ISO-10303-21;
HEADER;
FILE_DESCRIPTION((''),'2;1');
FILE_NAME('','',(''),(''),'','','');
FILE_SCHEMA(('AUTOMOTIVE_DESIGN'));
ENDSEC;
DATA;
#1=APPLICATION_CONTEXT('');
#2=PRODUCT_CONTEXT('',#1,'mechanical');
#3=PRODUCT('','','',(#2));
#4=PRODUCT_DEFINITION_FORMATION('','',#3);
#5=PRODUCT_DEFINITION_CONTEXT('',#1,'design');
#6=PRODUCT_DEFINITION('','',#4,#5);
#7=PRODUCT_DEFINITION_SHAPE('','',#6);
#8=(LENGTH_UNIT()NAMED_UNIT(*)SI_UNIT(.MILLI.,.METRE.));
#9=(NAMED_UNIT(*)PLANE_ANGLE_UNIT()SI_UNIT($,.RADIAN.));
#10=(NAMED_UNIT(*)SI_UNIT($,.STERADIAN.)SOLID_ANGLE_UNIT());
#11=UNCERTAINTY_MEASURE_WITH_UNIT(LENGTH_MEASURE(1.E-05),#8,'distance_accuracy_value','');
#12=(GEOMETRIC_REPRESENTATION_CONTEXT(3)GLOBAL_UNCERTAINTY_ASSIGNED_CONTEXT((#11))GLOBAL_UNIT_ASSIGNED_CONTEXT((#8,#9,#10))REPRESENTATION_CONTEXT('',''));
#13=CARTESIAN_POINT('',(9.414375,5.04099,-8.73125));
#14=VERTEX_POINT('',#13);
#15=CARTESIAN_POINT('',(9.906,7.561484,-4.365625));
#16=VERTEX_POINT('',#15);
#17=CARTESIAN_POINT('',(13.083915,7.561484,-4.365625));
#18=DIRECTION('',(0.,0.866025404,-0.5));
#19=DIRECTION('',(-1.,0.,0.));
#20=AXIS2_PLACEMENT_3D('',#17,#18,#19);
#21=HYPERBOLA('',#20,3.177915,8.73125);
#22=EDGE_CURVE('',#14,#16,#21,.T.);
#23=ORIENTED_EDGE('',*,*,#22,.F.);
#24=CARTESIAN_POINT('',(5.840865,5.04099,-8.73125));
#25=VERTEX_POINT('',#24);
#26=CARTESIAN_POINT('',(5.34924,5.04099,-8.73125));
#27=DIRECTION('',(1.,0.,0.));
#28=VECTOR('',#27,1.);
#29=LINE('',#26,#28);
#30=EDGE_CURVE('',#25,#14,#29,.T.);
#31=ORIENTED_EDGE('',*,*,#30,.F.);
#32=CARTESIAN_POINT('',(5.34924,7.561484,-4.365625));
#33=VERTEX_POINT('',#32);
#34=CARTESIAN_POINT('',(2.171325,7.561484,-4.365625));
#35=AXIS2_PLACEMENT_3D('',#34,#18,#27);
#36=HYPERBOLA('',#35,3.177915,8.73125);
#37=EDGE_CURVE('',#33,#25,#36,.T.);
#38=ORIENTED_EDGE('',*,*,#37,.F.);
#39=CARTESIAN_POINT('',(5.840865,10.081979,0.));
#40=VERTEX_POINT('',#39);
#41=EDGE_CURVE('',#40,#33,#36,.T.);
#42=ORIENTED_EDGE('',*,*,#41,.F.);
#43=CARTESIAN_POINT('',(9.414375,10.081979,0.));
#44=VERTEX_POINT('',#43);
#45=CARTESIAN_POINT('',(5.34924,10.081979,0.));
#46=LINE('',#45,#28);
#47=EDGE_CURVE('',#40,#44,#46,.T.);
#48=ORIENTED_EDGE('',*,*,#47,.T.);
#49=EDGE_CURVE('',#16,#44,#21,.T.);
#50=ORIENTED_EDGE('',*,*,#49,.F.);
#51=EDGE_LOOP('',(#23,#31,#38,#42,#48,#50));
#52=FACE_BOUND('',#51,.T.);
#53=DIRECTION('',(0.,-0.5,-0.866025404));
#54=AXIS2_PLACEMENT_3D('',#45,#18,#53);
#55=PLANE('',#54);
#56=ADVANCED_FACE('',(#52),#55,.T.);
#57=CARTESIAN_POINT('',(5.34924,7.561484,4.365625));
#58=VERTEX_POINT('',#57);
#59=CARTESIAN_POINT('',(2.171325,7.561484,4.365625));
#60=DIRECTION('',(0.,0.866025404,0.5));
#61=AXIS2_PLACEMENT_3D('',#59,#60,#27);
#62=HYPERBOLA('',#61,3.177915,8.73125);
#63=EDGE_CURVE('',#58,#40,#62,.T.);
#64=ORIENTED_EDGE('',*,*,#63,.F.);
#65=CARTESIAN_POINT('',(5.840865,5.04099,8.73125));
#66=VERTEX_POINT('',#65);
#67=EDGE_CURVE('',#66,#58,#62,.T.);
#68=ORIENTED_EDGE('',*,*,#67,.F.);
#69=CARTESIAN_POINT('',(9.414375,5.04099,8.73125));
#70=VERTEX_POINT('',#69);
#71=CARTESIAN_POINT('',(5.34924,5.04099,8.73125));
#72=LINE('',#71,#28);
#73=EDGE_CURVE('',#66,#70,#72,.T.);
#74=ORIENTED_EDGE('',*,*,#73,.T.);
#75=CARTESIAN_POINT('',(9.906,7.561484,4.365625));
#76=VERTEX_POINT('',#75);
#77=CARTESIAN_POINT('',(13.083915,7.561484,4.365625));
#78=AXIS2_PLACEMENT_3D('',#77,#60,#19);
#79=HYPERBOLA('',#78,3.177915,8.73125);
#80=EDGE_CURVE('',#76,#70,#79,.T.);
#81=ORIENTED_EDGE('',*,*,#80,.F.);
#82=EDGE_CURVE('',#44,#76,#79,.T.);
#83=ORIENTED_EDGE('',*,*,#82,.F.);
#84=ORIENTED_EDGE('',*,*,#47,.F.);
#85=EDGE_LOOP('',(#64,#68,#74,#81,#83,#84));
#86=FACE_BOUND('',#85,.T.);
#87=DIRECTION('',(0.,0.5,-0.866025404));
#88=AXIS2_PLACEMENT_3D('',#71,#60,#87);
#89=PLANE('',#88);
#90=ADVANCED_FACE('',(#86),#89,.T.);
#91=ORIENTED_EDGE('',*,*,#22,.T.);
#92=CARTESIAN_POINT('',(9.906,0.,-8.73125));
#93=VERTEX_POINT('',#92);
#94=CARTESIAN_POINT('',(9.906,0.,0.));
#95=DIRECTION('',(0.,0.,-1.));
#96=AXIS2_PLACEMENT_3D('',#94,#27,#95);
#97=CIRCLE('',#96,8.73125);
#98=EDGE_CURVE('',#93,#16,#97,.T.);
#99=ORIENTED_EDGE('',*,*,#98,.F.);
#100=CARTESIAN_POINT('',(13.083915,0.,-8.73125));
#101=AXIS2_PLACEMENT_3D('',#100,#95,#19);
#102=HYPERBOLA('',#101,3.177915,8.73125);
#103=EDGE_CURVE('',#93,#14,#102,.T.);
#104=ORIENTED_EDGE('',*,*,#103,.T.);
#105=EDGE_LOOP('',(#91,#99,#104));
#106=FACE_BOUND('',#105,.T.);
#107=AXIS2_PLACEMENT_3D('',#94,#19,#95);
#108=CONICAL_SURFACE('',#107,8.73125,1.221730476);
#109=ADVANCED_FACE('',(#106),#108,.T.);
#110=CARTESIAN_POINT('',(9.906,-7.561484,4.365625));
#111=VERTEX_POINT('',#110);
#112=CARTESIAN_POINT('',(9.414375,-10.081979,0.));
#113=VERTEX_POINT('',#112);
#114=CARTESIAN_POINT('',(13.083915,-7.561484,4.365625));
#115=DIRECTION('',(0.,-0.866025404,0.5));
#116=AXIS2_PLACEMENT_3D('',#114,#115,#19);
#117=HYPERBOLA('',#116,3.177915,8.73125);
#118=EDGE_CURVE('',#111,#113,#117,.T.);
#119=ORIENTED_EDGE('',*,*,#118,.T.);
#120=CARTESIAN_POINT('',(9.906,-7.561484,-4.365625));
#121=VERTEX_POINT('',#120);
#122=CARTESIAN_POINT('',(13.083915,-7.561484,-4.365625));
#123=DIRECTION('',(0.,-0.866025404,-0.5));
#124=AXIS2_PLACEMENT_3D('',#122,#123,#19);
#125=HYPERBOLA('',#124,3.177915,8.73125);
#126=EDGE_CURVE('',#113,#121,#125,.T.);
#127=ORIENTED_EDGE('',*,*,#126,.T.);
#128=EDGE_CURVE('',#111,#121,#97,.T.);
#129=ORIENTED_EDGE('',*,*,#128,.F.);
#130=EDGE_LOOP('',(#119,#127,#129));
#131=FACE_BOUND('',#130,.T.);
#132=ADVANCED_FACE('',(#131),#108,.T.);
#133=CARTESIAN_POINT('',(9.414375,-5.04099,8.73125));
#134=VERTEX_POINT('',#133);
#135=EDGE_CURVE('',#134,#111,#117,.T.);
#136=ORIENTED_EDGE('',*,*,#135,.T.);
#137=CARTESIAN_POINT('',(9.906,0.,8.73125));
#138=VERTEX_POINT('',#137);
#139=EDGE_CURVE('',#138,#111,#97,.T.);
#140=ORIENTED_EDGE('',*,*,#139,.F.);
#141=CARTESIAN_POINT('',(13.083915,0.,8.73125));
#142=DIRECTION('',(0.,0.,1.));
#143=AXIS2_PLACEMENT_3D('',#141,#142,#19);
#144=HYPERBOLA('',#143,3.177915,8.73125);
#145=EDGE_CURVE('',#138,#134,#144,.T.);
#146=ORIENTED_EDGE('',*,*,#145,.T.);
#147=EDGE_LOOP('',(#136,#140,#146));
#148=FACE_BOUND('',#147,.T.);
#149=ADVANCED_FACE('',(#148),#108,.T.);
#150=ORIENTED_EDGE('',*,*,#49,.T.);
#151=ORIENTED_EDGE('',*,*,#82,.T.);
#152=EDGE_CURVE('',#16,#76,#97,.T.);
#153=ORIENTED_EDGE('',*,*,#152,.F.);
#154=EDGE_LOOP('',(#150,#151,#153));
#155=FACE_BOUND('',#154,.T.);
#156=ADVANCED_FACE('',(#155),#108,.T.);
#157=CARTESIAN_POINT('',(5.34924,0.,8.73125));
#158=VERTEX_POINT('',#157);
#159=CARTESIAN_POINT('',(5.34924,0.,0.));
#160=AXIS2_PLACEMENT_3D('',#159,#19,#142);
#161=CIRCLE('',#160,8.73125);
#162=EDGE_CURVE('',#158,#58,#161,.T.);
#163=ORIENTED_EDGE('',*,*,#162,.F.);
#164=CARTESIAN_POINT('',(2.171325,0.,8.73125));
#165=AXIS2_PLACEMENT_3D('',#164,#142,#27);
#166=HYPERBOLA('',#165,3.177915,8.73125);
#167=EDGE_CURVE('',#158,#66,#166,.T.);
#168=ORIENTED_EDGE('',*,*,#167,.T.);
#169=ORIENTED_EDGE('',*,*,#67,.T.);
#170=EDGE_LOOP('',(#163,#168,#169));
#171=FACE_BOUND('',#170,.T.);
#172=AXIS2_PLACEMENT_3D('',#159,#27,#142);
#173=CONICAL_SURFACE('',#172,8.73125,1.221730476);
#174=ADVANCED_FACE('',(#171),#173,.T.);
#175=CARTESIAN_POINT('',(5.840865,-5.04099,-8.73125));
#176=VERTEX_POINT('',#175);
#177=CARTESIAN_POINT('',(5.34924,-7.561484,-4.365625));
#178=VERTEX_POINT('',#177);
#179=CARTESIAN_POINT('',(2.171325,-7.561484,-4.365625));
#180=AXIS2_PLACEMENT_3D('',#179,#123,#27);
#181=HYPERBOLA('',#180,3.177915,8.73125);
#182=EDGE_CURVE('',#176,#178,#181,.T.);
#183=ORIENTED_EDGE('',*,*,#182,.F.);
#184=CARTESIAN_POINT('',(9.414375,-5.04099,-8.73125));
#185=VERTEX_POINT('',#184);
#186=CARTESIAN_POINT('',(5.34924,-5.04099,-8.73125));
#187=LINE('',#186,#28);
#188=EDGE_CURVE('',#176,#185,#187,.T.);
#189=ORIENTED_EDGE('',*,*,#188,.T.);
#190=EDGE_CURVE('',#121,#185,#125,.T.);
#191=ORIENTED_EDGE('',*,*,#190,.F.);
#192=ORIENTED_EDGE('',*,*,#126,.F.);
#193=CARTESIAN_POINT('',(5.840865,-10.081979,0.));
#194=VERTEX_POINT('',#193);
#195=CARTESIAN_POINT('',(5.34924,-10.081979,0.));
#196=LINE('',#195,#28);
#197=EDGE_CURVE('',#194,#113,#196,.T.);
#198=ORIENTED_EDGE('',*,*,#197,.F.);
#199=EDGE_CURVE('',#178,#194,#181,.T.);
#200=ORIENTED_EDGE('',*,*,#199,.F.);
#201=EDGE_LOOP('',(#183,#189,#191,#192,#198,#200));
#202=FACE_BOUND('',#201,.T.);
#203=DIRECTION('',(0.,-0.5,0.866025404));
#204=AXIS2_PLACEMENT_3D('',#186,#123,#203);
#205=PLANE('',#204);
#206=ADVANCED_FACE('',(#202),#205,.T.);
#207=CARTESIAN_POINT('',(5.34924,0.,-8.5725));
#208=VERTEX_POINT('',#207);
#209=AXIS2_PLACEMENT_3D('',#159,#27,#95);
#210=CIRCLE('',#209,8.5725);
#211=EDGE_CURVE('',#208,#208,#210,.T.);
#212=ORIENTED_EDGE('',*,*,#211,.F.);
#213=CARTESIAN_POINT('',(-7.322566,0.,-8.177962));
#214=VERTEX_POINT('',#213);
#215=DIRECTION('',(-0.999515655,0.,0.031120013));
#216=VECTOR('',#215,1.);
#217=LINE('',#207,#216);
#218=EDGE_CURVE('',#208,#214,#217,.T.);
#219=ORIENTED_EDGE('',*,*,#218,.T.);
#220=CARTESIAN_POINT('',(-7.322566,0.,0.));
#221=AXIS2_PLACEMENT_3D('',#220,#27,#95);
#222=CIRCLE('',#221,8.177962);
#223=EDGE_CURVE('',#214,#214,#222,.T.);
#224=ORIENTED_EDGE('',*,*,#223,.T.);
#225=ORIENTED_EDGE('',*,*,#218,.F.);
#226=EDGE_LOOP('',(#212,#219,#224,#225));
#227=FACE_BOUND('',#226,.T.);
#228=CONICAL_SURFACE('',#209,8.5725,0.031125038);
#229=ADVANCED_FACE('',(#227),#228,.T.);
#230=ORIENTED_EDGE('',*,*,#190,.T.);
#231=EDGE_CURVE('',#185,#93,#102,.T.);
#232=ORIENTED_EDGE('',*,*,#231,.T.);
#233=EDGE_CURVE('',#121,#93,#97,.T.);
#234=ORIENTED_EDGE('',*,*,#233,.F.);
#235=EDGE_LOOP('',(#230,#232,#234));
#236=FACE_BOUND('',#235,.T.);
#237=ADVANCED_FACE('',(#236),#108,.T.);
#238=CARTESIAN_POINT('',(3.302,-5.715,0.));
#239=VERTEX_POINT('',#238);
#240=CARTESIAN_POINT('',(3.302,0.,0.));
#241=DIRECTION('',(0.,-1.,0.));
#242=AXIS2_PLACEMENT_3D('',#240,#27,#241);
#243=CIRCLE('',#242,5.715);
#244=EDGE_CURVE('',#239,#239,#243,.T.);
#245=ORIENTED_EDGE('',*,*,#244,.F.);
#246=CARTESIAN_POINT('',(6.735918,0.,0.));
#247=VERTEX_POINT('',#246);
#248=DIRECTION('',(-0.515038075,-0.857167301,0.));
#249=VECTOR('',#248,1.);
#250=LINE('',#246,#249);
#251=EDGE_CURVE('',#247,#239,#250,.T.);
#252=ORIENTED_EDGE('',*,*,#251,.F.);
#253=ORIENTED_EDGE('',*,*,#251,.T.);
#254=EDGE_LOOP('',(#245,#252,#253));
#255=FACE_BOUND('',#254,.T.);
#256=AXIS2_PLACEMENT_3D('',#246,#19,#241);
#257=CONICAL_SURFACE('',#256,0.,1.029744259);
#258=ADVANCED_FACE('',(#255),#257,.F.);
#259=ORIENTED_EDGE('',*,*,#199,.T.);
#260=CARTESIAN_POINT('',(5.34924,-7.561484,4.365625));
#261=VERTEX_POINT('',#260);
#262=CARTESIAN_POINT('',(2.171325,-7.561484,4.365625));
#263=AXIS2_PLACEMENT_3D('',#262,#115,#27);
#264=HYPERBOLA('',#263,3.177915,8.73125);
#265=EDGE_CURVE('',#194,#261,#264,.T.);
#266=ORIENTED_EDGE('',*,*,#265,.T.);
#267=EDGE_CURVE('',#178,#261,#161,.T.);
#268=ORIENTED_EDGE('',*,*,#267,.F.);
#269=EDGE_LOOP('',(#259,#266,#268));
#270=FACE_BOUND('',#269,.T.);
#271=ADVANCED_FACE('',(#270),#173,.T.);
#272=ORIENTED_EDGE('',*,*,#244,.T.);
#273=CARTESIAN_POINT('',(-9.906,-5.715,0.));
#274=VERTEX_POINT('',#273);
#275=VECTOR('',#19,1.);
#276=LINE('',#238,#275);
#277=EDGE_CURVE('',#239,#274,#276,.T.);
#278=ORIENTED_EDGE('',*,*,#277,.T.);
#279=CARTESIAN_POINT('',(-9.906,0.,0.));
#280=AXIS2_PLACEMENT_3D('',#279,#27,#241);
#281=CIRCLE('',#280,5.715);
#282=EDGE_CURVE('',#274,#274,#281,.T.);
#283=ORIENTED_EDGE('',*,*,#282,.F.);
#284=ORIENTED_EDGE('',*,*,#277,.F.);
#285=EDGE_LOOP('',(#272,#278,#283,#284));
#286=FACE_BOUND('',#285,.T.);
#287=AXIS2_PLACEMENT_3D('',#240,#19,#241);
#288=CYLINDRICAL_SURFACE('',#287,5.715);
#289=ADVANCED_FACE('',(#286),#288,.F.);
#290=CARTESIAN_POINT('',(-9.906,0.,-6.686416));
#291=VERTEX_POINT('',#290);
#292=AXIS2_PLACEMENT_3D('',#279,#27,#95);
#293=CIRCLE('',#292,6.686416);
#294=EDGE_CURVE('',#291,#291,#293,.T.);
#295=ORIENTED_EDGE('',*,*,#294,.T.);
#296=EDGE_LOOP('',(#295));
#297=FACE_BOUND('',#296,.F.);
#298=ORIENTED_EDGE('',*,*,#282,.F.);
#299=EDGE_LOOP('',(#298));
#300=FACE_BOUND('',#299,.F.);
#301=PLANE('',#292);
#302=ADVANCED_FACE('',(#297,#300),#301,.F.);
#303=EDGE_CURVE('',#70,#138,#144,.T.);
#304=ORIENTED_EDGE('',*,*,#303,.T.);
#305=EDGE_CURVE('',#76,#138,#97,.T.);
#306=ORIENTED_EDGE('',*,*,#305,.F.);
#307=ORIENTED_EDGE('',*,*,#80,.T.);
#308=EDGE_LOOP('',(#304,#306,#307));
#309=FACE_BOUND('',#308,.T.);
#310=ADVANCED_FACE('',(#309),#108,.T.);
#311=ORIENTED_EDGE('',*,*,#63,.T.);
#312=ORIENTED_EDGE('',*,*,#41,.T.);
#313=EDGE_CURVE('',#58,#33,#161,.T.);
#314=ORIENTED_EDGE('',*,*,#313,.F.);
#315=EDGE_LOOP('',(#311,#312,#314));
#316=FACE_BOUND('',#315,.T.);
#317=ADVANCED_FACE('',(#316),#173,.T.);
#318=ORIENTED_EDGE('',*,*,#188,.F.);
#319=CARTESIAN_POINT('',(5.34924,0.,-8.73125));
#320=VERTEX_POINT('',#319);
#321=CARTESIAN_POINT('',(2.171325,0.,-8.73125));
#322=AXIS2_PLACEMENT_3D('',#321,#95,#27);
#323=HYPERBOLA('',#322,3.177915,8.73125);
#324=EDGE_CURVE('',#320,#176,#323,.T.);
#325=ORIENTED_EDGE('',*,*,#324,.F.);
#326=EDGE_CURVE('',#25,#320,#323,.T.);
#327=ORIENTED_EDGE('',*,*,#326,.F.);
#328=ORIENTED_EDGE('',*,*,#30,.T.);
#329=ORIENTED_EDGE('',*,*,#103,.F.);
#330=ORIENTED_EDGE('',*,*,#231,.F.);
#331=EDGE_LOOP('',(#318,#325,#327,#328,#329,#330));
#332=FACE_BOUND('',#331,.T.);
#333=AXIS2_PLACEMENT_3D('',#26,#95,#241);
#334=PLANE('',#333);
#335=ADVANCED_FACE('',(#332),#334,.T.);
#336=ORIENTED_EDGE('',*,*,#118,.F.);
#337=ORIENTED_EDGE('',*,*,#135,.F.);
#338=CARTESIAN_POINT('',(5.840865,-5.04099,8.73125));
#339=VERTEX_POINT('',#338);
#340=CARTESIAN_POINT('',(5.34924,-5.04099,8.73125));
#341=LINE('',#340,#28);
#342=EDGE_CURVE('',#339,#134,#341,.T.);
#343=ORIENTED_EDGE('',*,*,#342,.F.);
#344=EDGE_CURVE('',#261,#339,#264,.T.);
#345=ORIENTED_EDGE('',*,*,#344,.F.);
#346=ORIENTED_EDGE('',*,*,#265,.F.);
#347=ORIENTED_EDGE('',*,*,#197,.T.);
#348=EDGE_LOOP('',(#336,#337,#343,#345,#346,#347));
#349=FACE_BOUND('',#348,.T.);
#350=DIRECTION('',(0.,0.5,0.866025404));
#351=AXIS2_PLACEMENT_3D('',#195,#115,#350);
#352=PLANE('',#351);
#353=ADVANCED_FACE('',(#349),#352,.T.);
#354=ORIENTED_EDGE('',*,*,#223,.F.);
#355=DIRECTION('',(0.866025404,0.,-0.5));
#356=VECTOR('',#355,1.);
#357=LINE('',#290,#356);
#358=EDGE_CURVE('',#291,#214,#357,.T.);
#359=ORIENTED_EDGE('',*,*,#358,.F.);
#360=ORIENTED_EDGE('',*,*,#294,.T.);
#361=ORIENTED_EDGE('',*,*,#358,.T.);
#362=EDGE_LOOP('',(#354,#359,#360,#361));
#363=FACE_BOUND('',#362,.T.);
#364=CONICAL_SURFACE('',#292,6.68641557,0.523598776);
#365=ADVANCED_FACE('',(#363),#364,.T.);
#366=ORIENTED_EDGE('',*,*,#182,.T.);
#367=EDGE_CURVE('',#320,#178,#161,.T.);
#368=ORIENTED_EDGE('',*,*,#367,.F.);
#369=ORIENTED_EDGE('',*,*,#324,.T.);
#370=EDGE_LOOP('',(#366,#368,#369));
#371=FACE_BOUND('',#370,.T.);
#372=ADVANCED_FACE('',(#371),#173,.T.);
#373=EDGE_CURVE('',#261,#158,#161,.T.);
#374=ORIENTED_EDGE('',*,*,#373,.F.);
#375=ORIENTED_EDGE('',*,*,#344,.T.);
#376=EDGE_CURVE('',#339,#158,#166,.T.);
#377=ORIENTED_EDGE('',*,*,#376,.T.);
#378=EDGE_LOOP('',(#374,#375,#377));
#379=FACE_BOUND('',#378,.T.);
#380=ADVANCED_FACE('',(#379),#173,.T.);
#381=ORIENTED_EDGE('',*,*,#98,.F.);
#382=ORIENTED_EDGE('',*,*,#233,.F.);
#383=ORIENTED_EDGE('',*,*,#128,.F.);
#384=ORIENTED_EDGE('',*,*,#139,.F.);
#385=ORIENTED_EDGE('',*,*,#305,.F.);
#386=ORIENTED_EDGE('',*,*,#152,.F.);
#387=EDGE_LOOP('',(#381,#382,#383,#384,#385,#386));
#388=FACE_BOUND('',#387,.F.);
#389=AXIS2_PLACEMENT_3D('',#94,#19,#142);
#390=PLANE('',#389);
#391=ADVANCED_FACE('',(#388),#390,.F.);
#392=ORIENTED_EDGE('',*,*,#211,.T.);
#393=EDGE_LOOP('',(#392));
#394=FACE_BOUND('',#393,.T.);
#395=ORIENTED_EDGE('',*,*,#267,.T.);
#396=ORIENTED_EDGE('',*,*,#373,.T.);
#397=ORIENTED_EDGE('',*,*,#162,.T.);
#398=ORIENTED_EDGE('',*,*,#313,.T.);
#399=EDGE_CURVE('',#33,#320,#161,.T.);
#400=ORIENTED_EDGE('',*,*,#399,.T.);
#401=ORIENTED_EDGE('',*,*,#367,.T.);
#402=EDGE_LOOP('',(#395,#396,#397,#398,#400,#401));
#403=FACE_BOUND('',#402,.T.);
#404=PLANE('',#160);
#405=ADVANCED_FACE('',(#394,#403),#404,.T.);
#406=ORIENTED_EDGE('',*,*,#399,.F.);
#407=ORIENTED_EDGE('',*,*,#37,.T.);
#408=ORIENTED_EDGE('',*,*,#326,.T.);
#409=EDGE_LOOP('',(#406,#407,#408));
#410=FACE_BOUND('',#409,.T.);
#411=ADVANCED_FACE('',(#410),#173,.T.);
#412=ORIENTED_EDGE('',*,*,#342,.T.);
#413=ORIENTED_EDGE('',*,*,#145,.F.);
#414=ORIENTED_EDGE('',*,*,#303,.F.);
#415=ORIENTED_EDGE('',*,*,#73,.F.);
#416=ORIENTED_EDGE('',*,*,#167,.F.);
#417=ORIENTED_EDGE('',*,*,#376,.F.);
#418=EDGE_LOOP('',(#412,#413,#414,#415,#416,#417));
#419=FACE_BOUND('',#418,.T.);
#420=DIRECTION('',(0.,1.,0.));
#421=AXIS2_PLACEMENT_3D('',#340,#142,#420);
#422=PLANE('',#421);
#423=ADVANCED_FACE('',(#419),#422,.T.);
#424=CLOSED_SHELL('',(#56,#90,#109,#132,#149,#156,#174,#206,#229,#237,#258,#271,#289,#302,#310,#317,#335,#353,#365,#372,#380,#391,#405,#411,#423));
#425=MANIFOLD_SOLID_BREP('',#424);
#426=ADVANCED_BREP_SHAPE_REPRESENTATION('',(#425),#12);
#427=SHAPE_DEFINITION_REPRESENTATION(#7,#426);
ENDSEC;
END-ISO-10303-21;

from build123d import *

# Parameters (mm, degrees)
SKETCH2_R          = 8.5725
EXTRUDE1_DEPTH     = 15.25524
EXTRUDE1_DRAFT     = -1.783333333
CHAMFER1_SIZE      = 1.411111111
CHAMFER1_SIZE2     = 2.584686345
EXTRUDE2_DEPTH     = 4.55676
SKETCH4_OUTSIDE_W  = 162.838
SKETCH4_OUTSIDE_H  = 165.54
SKETCH4_OUTSIDE_R  = 8.73125
CUT_EXTRUDE1_DEPTH = 24.882972442
CUT_EXTRUDE1_DRAFT = -70
SKETCH10_OUTSIDE_W = 142.948
SKETCH10_OUTSIDE_H = 145.65
SKETCH10_OUTSIDE_R = 8.73125
CUT_EXTRUDE2_DEPTH = 21.263350565
CUT_EXTRUDE2_DRAFT = -70


with BuildPart() as part:
    # Sketch2 → Extrude1 (with draft: the straight prism first)
    with BuildSketch(Plane(origin=(5.34924, 0, 0), x_dir=(0, 0, -1), z_dir=(1, 0, 0))):
        Circle(SKETCH2_R)
    extrude(amount=-EXTRUDE1_DEPTH)
    # Extrude1: the draft: its side faces are tilted about the plane it starts from
    extrude1_sides = [part.faces().sort_by_distance(p)[0] for p in [
        (-2.27838, 0, 8.5725),
    ]]
    draft(extrude1_sides, Plane(origin=(5.34924, 0, 0), x_dir=(0, 0, -1), z_dir=(1, 0, 0)), EXTRUDE1_DRAFT)

    # Chamfer1
    chamfer1_edges = [part.edges().sort_by_distance(p)[0] for p in [
        (-9.906, 0, 8.097526681),
    ]]
    chamfer1_side = [part.faces().sort_by_distance(p)[0] for p in [
        (-9.906, 0, 0),
    ]]
    chamfer(chamfer1_edges, length=CHAMFER1_SIZE, length2=CHAMFER1_SIZE2, reference=chamfer1_side[0])

    # Sketch3 → Extrude2 (add)
    with BuildSketch(Plane.ZY.offset(-5.34924)):
        Polygon((8.73125, 5.040989538), (0, 10.081979076), (-8.73125, 5.040989538), (-8.73125, -5.040989538), (0, -10.081979076), (8.73125, -5.040989538), align=None)
    extrude(amount=-EXTRUDE2_DEPTH)


with BuildPart() as cut_extrude1_tool:
    # Sketch4 outside → Cut-Extrude1 (with draft: the straight prism first)
    with BuildSketch(Plane(origin=(9.906, 0, 0), x_dir=(0, 0, -1), z_dir=(1, 0, 0))):
        Rectangle(SKETCH4_OUTSIDE_W, SKETCH4_OUTSIDE_H)
        Circle(SKETCH4_OUTSIDE_R, mode=Mode.SUBTRACT)
    extrude(amount=-CUT_EXTRUDE1_DEPTH)
    # Cut-Extrude1: the draft: its side faces are tilted about the plane it starts from
    cut_extrude1_sides = [cut_extrude1_tool.faces().sort_by_distance(p)[0] for p in [
        (-2.535486221, -82.77, 0),
        (-2.535486221, 0, -81.419),
        (-2.535486221, 82.77, 0),
        (-2.535486221, 0, 81.419),
        (-2.535486221, 0, 8.73125),
    ]]
    draft(cut_extrude1_sides, Plane(origin=(9.906, 0, 0), x_dir=(0, 0, -1), z_dir=(1, 0, 0)), CUT_EXTRUDE1_DRAFT)


with BuildPart() as part_1:
    add(part.part)

    # Cut-Extrude1: cut by cut_extrude1_tool
    add(cut_extrude1_tool.part, mode=Mode.SUBTRACT)


with BuildPart() as cut_extrude2_tool:
    # Sketch10 outside → Cut-Extrude2 (with draft: the straight prism first)
    with BuildSketch(Plane.ZY.offset(-5.34924)):
        Rectangle(SKETCH10_OUTSIDE_W, SKETCH10_OUTSIDE_H)
        Circle(SKETCH10_OUTSIDE_R, mode=Mode.SUBTRACT)
    extrude(amount=-CUT_EXTRUDE2_DEPTH)
    # Cut-Extrude2: the draft: its side faces are tilted about the plane it starts from
    cut_extrude2_sides = [cut_extrude2_tool.faces().sort_by_distance(p)[0] for p in [
        (15.980915282, -72.825, 0),
        (15.980915282, 0, 71.474),
        (15.980915282, 72.825, 0),
        (15.980915282, 0, -71.474),
        (15.980915282, 0, -8.73125),
    ]]
    draft(cut_extrude2_sides, Plane.ZY.offset(-5.34924), CUT_EXTRUDE2_DRAFT)


with BuildPart() as part_2:
    add(part_1.part)

    # Cut-Extrude2: cut by cut_extrude2_tool
    add(cut_extrude2_tool.part, mode=Mode.SUBTRACT)

    # Sketch12 → Cut-Revolve1 (revolve, cut)
    with BuildSketch(Plane.XY, mode=Mode.PRIVATE) as cut_revolve1_sk:
        Polygon((-9.906, 0), (6.735918438, 0), (3.302, 5.715), (-9.906, 5.715), align=None)
    revolve(cut_revolve1_sk.sketch.rotate(Axis((6.735918438, 0, 0), (1, 0, 0)), 180), axis=Axis((6.735918438, 0, 0), (1, 0, 0)), mode=Mode.SUBTRACT)


solid = part_2.part
